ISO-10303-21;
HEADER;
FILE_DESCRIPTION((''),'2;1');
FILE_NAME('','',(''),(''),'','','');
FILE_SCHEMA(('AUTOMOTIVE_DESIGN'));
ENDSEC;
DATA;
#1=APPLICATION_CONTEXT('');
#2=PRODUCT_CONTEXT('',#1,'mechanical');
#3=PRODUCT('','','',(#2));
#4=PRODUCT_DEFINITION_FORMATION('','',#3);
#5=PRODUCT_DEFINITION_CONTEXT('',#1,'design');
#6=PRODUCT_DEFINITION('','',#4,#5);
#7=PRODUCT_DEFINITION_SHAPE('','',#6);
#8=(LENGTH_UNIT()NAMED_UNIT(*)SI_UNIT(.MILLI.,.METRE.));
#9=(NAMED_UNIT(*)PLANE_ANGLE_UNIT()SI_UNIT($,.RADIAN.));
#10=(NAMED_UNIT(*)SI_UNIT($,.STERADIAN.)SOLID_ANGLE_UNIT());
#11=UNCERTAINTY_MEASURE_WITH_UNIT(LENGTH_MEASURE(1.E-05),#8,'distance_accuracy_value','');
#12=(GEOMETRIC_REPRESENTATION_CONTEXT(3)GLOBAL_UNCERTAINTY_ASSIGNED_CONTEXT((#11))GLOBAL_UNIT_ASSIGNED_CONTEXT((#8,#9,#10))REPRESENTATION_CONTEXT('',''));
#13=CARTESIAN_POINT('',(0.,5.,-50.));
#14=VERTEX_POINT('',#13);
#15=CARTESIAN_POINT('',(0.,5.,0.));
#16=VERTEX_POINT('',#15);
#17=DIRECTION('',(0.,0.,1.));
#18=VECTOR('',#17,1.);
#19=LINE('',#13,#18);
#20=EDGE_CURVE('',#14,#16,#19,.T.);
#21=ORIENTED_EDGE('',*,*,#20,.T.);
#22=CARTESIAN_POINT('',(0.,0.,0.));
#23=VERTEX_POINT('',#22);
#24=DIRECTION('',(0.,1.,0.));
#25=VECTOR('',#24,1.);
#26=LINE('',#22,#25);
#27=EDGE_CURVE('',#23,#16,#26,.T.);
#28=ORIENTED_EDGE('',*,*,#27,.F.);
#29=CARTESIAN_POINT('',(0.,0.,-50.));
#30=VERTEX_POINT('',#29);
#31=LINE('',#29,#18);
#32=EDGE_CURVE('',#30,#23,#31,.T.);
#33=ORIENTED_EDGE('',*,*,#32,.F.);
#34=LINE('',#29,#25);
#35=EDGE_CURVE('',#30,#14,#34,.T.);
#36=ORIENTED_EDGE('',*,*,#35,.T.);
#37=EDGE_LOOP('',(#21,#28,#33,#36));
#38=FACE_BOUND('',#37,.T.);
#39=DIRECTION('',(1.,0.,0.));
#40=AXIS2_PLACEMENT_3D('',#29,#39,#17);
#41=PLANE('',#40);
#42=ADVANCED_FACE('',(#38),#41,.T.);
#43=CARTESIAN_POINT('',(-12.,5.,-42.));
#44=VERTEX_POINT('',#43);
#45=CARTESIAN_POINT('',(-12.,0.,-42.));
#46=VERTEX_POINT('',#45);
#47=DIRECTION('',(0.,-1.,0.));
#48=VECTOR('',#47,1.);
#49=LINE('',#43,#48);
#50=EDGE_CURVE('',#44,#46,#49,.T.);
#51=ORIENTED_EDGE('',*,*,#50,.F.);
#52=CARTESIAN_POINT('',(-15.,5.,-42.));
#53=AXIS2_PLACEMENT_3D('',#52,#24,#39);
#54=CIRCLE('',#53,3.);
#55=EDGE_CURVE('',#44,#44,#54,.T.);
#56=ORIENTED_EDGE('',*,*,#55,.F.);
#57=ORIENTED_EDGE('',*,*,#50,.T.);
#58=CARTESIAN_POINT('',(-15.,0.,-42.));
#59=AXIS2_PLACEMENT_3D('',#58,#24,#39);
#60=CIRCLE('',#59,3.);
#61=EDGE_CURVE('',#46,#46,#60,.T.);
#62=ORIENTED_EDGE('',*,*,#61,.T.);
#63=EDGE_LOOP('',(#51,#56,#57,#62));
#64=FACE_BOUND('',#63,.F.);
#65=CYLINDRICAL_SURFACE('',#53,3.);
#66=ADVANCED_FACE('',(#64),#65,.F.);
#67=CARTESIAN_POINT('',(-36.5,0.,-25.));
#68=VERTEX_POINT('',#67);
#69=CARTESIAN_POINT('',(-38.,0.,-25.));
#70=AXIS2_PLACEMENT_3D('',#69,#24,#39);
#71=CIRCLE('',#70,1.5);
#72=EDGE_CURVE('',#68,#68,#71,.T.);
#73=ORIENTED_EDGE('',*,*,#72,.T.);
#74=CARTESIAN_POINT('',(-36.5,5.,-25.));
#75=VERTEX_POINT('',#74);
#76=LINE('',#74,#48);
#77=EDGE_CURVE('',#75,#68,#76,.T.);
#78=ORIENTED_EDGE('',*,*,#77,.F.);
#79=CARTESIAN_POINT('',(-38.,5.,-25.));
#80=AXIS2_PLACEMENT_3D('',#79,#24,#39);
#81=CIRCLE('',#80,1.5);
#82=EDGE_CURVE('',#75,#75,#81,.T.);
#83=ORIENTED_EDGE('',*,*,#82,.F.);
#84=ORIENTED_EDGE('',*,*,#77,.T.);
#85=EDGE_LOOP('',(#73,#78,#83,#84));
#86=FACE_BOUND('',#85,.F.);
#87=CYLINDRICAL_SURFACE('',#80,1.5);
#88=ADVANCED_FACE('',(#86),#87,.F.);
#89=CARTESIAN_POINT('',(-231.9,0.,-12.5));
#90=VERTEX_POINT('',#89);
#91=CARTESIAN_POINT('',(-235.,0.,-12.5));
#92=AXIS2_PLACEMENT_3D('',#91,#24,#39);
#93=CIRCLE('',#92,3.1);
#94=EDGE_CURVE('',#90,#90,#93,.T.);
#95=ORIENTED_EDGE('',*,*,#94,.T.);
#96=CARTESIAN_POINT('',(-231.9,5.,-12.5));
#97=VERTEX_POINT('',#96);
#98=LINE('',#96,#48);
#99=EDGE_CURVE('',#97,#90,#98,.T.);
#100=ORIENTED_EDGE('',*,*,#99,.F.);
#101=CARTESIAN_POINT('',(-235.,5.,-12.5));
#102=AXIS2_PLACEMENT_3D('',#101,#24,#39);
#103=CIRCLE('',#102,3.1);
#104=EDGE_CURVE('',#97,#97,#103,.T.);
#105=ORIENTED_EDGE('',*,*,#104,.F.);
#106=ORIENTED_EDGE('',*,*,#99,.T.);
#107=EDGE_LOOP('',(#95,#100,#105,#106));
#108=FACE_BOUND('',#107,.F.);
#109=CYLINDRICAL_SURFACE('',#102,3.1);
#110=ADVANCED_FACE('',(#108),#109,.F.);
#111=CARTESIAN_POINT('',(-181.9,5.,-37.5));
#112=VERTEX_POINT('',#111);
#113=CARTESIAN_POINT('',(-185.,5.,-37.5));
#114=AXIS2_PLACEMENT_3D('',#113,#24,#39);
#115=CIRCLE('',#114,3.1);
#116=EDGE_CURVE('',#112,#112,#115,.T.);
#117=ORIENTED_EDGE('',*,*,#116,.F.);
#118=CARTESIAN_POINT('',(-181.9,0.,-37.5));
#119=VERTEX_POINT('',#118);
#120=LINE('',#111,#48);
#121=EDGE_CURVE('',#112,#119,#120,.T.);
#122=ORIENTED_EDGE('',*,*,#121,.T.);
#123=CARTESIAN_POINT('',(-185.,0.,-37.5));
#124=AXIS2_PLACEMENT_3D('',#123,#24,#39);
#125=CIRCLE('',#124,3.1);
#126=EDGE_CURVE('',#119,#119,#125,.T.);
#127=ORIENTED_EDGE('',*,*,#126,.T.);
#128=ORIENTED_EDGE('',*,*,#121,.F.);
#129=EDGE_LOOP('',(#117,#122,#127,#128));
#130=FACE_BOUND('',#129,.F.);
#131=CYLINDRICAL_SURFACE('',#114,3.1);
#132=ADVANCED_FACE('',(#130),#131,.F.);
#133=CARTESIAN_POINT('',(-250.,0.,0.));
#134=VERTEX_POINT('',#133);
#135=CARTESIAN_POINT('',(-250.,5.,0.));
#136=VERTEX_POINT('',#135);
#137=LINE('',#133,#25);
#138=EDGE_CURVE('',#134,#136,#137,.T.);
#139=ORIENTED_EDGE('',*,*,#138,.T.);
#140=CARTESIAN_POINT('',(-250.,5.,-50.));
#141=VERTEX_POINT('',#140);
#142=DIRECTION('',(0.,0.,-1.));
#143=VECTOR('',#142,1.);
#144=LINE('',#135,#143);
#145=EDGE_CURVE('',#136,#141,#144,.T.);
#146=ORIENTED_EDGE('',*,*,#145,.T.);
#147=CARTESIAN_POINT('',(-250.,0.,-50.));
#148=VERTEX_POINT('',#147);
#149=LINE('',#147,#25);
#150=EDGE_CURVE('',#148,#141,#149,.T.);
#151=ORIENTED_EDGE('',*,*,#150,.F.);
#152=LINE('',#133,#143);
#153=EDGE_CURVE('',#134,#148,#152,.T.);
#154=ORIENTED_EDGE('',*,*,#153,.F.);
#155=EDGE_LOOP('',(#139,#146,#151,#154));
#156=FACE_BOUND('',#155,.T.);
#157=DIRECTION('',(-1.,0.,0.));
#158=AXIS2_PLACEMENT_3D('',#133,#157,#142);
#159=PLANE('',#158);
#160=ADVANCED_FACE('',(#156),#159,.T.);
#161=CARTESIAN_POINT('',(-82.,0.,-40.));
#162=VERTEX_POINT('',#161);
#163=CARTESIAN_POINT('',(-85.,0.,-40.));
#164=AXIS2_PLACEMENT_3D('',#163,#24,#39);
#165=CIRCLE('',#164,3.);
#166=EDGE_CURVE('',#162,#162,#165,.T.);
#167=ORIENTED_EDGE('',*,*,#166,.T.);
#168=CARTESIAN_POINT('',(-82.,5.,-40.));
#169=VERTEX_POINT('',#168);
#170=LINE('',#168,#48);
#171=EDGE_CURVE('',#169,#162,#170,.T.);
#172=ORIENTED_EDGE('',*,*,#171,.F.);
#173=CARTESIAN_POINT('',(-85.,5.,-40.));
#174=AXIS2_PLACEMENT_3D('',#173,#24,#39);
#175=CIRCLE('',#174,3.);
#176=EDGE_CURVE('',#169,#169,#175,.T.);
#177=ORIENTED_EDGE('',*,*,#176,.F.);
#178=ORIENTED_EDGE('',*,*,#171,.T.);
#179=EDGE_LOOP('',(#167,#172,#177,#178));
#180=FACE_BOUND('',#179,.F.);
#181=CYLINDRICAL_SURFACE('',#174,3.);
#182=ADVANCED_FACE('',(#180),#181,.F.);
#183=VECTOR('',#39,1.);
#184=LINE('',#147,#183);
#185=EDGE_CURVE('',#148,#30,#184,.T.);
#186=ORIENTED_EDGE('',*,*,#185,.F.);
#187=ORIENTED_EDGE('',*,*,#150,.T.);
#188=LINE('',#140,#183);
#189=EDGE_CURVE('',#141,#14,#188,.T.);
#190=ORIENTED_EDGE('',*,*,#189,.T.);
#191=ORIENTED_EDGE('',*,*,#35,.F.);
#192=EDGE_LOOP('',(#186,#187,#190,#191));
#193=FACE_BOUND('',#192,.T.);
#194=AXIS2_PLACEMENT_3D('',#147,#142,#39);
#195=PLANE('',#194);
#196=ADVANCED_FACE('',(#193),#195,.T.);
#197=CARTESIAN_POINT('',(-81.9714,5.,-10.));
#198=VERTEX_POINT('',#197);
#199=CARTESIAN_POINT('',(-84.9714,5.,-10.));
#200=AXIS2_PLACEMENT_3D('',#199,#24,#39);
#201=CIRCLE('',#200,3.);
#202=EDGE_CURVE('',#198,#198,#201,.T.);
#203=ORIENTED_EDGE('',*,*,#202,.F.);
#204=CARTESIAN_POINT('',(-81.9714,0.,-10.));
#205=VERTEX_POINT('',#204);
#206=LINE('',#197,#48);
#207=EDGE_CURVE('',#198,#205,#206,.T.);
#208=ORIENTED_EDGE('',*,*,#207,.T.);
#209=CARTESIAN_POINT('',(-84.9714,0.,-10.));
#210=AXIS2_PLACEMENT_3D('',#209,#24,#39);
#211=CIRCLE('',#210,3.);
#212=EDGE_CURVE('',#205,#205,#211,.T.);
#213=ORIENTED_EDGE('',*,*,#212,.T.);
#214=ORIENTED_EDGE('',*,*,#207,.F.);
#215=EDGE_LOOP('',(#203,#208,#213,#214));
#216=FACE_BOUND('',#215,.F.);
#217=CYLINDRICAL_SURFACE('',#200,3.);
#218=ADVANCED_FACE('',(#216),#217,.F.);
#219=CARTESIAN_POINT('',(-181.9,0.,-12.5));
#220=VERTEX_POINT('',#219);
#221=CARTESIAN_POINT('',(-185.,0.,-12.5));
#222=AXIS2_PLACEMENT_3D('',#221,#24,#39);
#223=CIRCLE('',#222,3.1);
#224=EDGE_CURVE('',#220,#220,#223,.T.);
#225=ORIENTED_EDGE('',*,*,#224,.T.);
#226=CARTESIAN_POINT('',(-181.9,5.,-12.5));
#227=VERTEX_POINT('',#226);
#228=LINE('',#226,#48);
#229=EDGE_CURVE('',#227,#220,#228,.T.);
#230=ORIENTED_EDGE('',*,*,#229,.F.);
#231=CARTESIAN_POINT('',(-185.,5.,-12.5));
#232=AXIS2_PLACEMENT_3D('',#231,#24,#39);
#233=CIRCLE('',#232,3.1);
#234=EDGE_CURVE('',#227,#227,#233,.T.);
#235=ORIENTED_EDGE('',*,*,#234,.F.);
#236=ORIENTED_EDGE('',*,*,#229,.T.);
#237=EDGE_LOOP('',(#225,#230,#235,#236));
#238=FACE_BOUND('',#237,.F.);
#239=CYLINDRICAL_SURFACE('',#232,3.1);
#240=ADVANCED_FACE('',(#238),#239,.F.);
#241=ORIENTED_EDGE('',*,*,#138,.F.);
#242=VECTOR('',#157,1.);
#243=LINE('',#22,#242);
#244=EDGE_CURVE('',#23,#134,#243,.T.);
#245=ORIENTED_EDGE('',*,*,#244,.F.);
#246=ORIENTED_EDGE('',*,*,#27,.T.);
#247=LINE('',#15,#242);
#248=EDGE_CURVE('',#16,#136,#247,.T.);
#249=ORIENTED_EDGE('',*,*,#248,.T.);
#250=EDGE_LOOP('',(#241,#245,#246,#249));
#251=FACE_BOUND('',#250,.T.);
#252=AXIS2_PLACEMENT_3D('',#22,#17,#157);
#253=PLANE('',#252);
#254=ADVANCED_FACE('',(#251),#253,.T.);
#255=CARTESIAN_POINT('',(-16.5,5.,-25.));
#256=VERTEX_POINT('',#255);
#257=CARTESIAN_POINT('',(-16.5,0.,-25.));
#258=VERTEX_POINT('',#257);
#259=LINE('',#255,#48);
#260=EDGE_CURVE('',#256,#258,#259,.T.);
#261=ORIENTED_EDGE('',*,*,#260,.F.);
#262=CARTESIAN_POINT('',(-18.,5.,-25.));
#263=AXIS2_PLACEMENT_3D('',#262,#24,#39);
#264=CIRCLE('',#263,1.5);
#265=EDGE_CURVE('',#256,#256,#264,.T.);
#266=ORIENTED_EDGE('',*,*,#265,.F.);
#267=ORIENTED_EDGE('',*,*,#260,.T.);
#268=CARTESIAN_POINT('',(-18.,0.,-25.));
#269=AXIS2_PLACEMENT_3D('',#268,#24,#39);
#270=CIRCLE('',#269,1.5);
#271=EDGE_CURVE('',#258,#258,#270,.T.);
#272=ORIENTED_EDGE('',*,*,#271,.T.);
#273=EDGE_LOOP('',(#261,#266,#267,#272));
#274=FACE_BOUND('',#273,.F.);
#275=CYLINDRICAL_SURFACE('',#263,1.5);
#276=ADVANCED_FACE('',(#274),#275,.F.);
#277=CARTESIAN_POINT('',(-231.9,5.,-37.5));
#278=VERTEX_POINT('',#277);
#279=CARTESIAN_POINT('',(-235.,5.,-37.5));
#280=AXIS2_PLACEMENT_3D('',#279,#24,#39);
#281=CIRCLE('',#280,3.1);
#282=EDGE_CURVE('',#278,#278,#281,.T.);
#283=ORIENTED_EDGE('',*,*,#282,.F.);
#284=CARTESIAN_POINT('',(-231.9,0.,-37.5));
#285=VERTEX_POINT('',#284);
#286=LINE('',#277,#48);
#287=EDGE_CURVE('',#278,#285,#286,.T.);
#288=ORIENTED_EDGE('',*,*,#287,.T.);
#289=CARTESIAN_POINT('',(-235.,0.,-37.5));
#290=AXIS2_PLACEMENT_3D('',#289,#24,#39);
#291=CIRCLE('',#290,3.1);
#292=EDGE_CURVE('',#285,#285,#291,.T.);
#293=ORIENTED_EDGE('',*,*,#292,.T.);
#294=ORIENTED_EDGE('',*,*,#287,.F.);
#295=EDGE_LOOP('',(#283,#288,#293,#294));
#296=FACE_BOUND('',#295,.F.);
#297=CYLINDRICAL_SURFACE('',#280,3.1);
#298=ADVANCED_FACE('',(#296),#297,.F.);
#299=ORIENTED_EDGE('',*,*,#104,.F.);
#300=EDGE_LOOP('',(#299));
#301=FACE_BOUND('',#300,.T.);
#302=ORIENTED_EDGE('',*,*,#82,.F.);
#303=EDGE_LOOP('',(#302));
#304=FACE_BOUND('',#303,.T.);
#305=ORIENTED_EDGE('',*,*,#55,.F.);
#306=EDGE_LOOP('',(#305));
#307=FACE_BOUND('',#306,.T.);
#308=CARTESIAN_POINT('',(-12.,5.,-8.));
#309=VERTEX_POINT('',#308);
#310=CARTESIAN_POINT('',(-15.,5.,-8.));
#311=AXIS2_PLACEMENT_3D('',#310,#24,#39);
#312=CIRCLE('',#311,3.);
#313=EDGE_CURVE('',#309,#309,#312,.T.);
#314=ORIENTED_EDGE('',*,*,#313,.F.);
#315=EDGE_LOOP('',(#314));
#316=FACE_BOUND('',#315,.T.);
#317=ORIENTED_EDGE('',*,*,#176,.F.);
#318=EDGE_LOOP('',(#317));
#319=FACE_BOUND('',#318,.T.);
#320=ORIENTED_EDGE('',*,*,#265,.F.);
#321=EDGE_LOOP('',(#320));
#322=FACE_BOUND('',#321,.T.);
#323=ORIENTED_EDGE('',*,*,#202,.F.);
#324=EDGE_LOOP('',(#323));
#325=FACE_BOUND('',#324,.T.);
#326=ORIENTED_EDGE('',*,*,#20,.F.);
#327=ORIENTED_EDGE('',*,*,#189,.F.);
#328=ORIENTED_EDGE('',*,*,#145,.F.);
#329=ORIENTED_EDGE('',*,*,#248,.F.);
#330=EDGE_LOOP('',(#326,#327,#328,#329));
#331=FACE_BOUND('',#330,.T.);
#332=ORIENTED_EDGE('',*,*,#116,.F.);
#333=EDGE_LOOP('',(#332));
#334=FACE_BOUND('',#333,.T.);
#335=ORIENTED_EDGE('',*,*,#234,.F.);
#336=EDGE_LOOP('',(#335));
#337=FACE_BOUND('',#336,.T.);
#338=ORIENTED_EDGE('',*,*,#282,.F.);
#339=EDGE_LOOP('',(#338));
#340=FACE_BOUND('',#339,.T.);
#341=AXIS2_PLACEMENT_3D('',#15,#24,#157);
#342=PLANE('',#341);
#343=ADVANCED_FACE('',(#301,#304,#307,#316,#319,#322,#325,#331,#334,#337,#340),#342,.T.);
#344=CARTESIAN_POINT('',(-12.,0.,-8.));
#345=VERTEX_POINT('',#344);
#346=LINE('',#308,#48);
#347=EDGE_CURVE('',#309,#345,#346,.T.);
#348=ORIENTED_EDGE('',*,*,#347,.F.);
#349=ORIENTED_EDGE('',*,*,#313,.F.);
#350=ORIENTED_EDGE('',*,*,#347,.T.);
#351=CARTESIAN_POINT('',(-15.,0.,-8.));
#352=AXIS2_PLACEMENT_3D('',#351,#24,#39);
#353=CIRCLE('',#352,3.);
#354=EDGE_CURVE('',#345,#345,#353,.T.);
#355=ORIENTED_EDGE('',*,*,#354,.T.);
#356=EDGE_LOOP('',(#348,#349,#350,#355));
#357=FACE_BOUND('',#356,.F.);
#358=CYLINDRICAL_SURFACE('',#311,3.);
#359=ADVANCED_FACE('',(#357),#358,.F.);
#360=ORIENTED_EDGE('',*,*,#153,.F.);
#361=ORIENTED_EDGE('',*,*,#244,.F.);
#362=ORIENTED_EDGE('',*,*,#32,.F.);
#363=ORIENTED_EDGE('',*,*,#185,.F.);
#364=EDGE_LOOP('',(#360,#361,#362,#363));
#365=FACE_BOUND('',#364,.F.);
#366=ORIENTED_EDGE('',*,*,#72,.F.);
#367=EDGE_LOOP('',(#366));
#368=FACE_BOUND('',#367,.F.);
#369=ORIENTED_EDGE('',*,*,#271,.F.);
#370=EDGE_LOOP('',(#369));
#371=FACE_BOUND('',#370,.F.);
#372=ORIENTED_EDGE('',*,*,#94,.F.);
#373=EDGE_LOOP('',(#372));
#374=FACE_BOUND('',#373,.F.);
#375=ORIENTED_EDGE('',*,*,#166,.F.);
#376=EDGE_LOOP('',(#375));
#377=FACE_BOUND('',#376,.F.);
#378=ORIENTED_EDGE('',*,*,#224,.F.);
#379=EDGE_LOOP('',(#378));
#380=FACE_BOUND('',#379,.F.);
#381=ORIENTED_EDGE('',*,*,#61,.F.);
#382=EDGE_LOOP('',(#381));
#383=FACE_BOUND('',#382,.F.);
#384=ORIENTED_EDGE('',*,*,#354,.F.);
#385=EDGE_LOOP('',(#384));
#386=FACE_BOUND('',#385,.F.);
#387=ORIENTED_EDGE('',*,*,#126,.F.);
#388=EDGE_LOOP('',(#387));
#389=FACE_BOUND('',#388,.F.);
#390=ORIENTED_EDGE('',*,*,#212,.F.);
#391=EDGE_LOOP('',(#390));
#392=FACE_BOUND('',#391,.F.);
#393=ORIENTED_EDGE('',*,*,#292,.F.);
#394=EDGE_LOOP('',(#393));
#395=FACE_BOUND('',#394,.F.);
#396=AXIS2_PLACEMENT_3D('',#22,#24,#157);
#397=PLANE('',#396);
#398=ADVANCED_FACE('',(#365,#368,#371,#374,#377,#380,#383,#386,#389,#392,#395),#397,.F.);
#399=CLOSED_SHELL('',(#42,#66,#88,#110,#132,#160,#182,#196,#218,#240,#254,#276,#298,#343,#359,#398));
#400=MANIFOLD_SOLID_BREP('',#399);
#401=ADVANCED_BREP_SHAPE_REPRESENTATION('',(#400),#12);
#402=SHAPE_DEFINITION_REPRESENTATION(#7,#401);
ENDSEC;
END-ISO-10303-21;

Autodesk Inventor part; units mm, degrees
ref_plane "YZ-Ebene" through (0, 0, 0) normal (1, 0, 0) x (0, 1, 0)
ref_plane "XZ-Ebene" through (0, 0, 0) normal (0, 1, 0) x (-1, 0, 0)
ref_plane "XY-Ebene" through (0, 0, 0) normal (0, 0, 1) x (1, 0, 0)
sketch "Skizze1" plane through (0, 0, 0) normal (0, 1, 0) x (-1, 0, 0)
  line L0 (250, -50) -> (0, -50)
  line L1 (0, -50) -> (0, 0)
  line L2 (0, 0) -> (250, 0)
  line L3 (250, 0) -> (250, -50)
  dimension "d0" = 250
  dimension "d1" = 50
extrude "Extrusion1" add sketch "Skizze1" along normal blind 5
sketch "Skizze2" plane through (0, 5, 0) normal (0, 1, 0) x (1, 0, 0)
  circle A0 centre (-235, 37.5) radius 3.1
  circle A1 centre (-185, 37.5) radius 3.1
  circle A2 centre (-235, 12.5) radius 3.1
  circle A3 centre (-185, 12.5) radius 3.1
  line L0 (0, 50) -> (-250, 50) projected
  line L1 (-250, 50) -> (-250, 0) projected
  point P0 (0, 0)
  dimension "d4" = 6.2
  dimension "d5" = 6.2
  dimension "d6" = 6.2
  dimension "d7" = 6.2
  dimension "d8" = 12.5
  dimension "d9" = 25
  dimension "d10" = 25
  dimension "d11" = 50
  dimension "d12" = 50
  dimension "d13" = 15
  dimension "d14" = 15
  dimension "d15" = 12.5
extrude "Extrusion2" cut sketch "Skizze2" against normal blind 6
sketch "Skizze3" plane through (0, 5, 0) normal (0, 1, 0) x (1, 0, 0)
  circle A0 centre (-15, 42) radius 3
  circle A1 centre (-15, 8) radius 3
  circle A2 centre (-84.9714, 10) radius 3
  circle A3 centre (-85, 40) radius 3
  line L0 (0, 0) -> (0, 50) projected
  line L1 (0, 50) -> (-250, 50) projected
  dimension "d18" = 6
  dimension "d19" = 6
  dimension "d20" = 6
  dimension "d21" = 6
  dimension "d22" = 15
  dimension "d23" = 15
  dimension "d24" = 70
  dimension "d25" = 70
  dimension "d26" = 34
  dimension "d27" = 30
  dimension "d28" = 10
  dimension "d29" = 8
extrude "Extrusion3" cut sketch "Skizze3" against normal blind 10
sketch "Skizze4" plane through (0, 5, 0) normal (0, 1, 0) x (1, 0, 0)
  circle A0 centre (-38, 25) radius 1.5
  circle A1 centre (-18, 25) radius 1.5
  line L0 (0, 50) -> (-250, 50) projected
  line L1 (0, 0) -> (0, 50) projected
  dimension "d32" = 3
  dimension "d33" = 3
  dimension "d34" = 25
  dimension "d35" = 25
  dimension "d36" = 18
  dimension "d37" = 20
extrude "Extrusion4" cut sketch "Skizze4" against normal blind 10
properties part number "adapter_chipshouter"
